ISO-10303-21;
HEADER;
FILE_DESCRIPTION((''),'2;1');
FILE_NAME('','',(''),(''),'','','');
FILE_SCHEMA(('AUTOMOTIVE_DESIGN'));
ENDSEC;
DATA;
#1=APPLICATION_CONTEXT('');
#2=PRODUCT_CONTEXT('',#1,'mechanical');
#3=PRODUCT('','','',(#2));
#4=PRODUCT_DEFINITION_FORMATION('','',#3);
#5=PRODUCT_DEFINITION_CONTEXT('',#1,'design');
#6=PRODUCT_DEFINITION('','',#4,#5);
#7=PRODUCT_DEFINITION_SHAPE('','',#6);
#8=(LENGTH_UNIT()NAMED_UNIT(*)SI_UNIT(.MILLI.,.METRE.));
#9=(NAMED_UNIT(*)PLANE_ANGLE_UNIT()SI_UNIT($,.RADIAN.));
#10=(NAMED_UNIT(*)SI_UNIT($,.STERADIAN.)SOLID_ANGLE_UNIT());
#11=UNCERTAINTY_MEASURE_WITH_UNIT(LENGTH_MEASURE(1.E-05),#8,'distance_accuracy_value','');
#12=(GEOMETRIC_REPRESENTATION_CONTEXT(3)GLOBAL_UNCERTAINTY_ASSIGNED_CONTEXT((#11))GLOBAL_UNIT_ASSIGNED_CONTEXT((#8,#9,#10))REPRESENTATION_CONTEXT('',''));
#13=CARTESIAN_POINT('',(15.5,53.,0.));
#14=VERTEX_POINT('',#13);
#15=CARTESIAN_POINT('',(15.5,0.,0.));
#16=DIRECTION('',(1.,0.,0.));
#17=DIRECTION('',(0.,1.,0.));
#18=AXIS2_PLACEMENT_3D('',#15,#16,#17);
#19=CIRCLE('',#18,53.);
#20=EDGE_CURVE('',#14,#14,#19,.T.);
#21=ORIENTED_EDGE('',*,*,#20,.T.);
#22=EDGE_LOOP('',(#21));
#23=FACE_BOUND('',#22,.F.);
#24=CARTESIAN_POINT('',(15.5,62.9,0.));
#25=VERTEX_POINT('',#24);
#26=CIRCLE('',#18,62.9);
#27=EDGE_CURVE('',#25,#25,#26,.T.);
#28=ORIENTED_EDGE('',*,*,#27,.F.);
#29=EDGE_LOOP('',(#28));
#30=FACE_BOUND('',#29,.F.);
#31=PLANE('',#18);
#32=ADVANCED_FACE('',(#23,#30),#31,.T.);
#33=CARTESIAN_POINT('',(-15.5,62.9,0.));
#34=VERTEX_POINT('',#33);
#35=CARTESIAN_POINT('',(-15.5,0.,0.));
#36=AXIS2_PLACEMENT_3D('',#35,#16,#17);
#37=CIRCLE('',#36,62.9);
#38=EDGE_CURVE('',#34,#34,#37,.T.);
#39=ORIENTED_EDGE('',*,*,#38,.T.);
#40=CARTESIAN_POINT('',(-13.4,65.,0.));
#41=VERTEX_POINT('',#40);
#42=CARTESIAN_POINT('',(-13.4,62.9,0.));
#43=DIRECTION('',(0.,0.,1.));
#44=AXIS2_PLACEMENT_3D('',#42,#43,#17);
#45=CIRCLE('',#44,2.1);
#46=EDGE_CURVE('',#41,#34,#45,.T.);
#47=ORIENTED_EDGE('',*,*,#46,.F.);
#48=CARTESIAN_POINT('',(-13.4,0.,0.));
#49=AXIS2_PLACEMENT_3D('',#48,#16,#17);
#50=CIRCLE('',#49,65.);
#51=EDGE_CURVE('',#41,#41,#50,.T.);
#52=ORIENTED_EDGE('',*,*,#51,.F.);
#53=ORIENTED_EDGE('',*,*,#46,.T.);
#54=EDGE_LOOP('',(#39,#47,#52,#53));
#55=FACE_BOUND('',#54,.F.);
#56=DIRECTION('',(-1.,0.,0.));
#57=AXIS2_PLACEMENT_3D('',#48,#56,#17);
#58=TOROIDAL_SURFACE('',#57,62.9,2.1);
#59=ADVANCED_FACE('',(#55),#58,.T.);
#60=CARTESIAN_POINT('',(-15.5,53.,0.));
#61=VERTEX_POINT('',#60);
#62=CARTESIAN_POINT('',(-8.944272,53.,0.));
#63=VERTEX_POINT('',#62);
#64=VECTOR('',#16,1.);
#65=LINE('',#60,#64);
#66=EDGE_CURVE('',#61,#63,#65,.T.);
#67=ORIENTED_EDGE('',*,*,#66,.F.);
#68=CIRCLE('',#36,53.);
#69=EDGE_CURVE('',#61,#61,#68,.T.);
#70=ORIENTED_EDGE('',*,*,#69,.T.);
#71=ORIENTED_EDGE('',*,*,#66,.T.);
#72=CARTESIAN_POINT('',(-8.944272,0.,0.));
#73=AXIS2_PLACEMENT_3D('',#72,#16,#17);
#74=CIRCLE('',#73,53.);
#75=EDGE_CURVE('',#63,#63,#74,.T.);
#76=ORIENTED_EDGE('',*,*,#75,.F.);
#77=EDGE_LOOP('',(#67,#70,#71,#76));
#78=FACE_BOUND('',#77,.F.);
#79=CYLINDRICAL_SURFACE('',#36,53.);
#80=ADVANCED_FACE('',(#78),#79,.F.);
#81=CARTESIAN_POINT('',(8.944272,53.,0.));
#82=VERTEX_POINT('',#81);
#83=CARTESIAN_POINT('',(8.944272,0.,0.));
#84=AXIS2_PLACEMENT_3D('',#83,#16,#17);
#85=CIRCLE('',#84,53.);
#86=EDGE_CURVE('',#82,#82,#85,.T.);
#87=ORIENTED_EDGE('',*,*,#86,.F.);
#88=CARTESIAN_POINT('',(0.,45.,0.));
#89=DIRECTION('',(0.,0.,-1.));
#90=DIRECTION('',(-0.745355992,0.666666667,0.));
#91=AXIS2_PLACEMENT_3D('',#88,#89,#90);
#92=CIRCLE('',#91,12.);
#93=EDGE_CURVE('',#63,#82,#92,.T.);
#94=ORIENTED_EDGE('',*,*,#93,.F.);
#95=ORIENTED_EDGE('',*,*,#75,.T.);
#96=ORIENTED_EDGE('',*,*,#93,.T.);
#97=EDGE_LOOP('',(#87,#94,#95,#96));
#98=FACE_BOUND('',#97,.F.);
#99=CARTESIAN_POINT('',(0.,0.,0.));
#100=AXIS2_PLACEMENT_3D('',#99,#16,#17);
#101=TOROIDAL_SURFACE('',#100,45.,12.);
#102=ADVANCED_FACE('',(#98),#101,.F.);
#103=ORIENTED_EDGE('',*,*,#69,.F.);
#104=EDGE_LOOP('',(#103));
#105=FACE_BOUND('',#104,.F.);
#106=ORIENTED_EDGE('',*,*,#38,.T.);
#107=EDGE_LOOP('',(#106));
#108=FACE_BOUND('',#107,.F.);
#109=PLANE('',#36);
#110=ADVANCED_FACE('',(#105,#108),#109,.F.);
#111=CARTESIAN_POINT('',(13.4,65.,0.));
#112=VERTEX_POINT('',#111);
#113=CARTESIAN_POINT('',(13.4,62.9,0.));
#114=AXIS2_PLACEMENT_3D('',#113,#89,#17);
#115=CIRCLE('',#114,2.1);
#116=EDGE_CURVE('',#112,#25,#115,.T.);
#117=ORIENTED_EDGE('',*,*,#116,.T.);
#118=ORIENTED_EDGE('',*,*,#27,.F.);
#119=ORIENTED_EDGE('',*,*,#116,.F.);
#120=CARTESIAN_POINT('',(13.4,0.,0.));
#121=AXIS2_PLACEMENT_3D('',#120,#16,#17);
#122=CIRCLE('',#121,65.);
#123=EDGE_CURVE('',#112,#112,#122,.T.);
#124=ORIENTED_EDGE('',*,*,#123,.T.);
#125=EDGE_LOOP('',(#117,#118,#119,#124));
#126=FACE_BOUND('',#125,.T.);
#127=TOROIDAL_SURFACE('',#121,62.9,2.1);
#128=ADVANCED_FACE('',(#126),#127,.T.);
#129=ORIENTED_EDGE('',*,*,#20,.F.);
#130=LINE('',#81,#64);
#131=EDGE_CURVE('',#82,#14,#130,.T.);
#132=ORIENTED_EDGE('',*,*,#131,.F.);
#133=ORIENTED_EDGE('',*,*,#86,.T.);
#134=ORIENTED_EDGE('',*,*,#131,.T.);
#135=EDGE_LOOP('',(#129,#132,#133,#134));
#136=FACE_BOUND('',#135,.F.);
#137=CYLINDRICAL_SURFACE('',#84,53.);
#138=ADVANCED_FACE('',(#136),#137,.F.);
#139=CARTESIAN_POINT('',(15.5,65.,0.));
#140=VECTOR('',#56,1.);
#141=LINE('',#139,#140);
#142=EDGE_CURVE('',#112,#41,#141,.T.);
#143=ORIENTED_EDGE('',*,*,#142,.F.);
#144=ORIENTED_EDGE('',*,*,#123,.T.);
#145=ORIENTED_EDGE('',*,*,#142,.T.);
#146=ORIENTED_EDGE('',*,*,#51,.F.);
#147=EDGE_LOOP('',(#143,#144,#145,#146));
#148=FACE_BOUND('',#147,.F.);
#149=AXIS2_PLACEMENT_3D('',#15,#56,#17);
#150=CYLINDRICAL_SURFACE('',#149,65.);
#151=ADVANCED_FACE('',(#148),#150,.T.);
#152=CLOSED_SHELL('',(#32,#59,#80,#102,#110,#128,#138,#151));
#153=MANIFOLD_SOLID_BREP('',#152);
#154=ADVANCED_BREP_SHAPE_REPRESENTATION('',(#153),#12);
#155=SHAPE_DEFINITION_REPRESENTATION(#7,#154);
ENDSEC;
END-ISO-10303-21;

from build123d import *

# Parameters (mm, degrees)
FILLET1_R = 2.1


with BuildPart() as part:
    # Sketch1 → Revolve1 (revolve)
    with BuildSketch(Plane.XY):
        with BuildLine():
            Line((15.5, 65), (-15.5, 65))
            Line((-15.5, 65), (-15.5, 53))
            Line((-15.5, 53), (-8.94427191, 53))
            ThreePointArc((-8.94427191, 53), (0, 57), (8.94427191, 53))
            Line((8.94427191, 53), (15.5, 53))
            Line((15.5, 53), (15.5, 65))
        make_face()
    revolve(axis=Axis((-14.017800128, 0, 0), (1, 0, 0)))

    # Fillet1
    fillet1_edges = [part.edges().sort_by_distance(p)[0] for p in [
        (-15.5, -65, 0),
        (15.5, -65, 0),
    ]]
    fillet(fillet1_edges, radius=FILLET1_R)


solid = part.part
